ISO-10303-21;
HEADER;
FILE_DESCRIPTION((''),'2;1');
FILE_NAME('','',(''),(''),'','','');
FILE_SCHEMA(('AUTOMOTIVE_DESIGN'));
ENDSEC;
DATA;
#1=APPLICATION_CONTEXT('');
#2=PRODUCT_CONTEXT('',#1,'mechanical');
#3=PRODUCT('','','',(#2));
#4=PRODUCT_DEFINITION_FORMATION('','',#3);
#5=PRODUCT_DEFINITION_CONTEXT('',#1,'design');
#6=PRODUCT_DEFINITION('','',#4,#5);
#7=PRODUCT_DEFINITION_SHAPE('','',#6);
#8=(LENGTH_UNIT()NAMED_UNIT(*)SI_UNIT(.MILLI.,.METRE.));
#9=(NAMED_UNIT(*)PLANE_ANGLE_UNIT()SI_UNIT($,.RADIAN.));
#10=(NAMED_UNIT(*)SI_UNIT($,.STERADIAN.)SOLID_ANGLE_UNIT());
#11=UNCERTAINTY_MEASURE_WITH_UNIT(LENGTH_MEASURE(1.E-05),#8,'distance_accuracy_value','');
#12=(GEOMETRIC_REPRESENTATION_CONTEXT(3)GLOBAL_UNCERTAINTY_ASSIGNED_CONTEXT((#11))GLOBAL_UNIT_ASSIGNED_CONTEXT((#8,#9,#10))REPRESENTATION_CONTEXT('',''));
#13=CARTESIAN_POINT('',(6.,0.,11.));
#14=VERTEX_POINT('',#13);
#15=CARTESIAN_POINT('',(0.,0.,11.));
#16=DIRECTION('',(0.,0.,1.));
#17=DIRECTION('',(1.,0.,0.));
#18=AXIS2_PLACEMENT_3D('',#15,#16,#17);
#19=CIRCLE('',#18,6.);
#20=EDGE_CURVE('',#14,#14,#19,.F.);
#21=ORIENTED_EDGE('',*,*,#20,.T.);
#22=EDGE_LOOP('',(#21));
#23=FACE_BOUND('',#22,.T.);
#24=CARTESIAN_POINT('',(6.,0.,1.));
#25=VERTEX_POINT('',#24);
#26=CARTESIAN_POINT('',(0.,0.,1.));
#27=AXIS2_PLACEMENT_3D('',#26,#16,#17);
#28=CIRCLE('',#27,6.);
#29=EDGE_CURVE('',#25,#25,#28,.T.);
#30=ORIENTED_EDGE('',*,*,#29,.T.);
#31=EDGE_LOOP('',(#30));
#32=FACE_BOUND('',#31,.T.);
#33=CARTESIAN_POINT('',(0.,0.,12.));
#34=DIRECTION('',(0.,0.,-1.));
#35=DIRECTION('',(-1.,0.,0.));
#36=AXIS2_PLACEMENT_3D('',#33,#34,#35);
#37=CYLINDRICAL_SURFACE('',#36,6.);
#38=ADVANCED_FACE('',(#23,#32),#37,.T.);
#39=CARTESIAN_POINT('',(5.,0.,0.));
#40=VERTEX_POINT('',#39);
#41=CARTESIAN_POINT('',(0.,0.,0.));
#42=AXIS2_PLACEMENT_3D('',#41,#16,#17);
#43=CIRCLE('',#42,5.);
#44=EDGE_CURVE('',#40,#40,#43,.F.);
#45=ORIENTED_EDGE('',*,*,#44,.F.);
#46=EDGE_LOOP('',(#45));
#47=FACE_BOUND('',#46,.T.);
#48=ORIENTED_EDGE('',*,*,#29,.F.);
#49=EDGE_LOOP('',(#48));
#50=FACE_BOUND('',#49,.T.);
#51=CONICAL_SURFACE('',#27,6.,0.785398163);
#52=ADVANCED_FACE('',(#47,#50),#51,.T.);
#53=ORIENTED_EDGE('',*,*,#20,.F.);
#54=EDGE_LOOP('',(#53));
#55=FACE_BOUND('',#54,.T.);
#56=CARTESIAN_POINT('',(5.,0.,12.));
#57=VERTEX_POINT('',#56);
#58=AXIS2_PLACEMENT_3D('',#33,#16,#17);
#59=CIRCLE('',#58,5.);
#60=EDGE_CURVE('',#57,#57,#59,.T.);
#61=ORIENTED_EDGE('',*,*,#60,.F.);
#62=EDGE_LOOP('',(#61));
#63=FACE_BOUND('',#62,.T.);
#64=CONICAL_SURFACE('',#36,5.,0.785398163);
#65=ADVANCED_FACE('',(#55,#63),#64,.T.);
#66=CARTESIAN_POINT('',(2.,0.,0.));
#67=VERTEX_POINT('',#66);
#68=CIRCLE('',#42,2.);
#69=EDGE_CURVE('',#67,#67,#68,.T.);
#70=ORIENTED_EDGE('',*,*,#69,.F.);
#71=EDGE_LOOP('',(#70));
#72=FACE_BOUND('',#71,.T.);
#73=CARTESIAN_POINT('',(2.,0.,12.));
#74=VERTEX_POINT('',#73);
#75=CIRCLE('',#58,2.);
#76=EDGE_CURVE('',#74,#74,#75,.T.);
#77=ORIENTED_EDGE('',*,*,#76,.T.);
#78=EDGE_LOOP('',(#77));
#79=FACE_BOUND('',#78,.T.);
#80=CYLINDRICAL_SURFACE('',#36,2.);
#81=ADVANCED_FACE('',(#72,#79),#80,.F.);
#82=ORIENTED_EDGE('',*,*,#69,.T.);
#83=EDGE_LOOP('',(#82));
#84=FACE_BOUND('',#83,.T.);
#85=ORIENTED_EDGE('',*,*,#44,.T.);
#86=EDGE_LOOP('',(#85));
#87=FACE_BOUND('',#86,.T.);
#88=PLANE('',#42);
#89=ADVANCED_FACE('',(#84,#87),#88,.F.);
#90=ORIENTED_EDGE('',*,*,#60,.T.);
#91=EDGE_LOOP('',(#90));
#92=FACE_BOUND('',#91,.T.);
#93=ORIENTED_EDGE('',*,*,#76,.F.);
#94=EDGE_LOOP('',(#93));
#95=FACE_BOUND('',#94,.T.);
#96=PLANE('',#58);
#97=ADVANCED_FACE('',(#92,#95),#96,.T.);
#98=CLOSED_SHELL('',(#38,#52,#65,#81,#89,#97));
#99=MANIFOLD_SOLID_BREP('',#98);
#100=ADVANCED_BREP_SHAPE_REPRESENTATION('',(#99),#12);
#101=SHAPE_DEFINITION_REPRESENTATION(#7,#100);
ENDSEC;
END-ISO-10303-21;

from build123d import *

# Parameters (mm, degrees)
SKETCH1_R           = 6
BOSS_EXTRUDE1_DEPTH = 12
SKETCH2_R           = 2
CUT_EXTRUDE1_DEPTH  = 13
CHAMFER1_SIZE       = 1


with BuildPart() as part:
    # Sketch1 → Boss-Extrude1 (new body)
    with BuildSketch(Plane.XY):
        Circle(SKETCH1_R)
    extrude(amount=BOSS_EXTRUDE1_DEPTH)

    # Sketch2 → Cut-Extrude1 (cut, through all)
    with BuildSketch(Plane.XY):
        Circle(SKETCH2_R)
    extrude(amount=CUT_EXTRUDE1_DEPTH, mode=Mode.SUBTRACT)

    # Chamfer1
    chamfer1_edges = [part.edges().sort_by_distance(p)[0] for p in [
        (-6, 0, 0),
        (-6, 0, 12),
    ]]
    chamfer(chamfer1_edges, length=CHAMFER1_SIZE)


solid = part.part
